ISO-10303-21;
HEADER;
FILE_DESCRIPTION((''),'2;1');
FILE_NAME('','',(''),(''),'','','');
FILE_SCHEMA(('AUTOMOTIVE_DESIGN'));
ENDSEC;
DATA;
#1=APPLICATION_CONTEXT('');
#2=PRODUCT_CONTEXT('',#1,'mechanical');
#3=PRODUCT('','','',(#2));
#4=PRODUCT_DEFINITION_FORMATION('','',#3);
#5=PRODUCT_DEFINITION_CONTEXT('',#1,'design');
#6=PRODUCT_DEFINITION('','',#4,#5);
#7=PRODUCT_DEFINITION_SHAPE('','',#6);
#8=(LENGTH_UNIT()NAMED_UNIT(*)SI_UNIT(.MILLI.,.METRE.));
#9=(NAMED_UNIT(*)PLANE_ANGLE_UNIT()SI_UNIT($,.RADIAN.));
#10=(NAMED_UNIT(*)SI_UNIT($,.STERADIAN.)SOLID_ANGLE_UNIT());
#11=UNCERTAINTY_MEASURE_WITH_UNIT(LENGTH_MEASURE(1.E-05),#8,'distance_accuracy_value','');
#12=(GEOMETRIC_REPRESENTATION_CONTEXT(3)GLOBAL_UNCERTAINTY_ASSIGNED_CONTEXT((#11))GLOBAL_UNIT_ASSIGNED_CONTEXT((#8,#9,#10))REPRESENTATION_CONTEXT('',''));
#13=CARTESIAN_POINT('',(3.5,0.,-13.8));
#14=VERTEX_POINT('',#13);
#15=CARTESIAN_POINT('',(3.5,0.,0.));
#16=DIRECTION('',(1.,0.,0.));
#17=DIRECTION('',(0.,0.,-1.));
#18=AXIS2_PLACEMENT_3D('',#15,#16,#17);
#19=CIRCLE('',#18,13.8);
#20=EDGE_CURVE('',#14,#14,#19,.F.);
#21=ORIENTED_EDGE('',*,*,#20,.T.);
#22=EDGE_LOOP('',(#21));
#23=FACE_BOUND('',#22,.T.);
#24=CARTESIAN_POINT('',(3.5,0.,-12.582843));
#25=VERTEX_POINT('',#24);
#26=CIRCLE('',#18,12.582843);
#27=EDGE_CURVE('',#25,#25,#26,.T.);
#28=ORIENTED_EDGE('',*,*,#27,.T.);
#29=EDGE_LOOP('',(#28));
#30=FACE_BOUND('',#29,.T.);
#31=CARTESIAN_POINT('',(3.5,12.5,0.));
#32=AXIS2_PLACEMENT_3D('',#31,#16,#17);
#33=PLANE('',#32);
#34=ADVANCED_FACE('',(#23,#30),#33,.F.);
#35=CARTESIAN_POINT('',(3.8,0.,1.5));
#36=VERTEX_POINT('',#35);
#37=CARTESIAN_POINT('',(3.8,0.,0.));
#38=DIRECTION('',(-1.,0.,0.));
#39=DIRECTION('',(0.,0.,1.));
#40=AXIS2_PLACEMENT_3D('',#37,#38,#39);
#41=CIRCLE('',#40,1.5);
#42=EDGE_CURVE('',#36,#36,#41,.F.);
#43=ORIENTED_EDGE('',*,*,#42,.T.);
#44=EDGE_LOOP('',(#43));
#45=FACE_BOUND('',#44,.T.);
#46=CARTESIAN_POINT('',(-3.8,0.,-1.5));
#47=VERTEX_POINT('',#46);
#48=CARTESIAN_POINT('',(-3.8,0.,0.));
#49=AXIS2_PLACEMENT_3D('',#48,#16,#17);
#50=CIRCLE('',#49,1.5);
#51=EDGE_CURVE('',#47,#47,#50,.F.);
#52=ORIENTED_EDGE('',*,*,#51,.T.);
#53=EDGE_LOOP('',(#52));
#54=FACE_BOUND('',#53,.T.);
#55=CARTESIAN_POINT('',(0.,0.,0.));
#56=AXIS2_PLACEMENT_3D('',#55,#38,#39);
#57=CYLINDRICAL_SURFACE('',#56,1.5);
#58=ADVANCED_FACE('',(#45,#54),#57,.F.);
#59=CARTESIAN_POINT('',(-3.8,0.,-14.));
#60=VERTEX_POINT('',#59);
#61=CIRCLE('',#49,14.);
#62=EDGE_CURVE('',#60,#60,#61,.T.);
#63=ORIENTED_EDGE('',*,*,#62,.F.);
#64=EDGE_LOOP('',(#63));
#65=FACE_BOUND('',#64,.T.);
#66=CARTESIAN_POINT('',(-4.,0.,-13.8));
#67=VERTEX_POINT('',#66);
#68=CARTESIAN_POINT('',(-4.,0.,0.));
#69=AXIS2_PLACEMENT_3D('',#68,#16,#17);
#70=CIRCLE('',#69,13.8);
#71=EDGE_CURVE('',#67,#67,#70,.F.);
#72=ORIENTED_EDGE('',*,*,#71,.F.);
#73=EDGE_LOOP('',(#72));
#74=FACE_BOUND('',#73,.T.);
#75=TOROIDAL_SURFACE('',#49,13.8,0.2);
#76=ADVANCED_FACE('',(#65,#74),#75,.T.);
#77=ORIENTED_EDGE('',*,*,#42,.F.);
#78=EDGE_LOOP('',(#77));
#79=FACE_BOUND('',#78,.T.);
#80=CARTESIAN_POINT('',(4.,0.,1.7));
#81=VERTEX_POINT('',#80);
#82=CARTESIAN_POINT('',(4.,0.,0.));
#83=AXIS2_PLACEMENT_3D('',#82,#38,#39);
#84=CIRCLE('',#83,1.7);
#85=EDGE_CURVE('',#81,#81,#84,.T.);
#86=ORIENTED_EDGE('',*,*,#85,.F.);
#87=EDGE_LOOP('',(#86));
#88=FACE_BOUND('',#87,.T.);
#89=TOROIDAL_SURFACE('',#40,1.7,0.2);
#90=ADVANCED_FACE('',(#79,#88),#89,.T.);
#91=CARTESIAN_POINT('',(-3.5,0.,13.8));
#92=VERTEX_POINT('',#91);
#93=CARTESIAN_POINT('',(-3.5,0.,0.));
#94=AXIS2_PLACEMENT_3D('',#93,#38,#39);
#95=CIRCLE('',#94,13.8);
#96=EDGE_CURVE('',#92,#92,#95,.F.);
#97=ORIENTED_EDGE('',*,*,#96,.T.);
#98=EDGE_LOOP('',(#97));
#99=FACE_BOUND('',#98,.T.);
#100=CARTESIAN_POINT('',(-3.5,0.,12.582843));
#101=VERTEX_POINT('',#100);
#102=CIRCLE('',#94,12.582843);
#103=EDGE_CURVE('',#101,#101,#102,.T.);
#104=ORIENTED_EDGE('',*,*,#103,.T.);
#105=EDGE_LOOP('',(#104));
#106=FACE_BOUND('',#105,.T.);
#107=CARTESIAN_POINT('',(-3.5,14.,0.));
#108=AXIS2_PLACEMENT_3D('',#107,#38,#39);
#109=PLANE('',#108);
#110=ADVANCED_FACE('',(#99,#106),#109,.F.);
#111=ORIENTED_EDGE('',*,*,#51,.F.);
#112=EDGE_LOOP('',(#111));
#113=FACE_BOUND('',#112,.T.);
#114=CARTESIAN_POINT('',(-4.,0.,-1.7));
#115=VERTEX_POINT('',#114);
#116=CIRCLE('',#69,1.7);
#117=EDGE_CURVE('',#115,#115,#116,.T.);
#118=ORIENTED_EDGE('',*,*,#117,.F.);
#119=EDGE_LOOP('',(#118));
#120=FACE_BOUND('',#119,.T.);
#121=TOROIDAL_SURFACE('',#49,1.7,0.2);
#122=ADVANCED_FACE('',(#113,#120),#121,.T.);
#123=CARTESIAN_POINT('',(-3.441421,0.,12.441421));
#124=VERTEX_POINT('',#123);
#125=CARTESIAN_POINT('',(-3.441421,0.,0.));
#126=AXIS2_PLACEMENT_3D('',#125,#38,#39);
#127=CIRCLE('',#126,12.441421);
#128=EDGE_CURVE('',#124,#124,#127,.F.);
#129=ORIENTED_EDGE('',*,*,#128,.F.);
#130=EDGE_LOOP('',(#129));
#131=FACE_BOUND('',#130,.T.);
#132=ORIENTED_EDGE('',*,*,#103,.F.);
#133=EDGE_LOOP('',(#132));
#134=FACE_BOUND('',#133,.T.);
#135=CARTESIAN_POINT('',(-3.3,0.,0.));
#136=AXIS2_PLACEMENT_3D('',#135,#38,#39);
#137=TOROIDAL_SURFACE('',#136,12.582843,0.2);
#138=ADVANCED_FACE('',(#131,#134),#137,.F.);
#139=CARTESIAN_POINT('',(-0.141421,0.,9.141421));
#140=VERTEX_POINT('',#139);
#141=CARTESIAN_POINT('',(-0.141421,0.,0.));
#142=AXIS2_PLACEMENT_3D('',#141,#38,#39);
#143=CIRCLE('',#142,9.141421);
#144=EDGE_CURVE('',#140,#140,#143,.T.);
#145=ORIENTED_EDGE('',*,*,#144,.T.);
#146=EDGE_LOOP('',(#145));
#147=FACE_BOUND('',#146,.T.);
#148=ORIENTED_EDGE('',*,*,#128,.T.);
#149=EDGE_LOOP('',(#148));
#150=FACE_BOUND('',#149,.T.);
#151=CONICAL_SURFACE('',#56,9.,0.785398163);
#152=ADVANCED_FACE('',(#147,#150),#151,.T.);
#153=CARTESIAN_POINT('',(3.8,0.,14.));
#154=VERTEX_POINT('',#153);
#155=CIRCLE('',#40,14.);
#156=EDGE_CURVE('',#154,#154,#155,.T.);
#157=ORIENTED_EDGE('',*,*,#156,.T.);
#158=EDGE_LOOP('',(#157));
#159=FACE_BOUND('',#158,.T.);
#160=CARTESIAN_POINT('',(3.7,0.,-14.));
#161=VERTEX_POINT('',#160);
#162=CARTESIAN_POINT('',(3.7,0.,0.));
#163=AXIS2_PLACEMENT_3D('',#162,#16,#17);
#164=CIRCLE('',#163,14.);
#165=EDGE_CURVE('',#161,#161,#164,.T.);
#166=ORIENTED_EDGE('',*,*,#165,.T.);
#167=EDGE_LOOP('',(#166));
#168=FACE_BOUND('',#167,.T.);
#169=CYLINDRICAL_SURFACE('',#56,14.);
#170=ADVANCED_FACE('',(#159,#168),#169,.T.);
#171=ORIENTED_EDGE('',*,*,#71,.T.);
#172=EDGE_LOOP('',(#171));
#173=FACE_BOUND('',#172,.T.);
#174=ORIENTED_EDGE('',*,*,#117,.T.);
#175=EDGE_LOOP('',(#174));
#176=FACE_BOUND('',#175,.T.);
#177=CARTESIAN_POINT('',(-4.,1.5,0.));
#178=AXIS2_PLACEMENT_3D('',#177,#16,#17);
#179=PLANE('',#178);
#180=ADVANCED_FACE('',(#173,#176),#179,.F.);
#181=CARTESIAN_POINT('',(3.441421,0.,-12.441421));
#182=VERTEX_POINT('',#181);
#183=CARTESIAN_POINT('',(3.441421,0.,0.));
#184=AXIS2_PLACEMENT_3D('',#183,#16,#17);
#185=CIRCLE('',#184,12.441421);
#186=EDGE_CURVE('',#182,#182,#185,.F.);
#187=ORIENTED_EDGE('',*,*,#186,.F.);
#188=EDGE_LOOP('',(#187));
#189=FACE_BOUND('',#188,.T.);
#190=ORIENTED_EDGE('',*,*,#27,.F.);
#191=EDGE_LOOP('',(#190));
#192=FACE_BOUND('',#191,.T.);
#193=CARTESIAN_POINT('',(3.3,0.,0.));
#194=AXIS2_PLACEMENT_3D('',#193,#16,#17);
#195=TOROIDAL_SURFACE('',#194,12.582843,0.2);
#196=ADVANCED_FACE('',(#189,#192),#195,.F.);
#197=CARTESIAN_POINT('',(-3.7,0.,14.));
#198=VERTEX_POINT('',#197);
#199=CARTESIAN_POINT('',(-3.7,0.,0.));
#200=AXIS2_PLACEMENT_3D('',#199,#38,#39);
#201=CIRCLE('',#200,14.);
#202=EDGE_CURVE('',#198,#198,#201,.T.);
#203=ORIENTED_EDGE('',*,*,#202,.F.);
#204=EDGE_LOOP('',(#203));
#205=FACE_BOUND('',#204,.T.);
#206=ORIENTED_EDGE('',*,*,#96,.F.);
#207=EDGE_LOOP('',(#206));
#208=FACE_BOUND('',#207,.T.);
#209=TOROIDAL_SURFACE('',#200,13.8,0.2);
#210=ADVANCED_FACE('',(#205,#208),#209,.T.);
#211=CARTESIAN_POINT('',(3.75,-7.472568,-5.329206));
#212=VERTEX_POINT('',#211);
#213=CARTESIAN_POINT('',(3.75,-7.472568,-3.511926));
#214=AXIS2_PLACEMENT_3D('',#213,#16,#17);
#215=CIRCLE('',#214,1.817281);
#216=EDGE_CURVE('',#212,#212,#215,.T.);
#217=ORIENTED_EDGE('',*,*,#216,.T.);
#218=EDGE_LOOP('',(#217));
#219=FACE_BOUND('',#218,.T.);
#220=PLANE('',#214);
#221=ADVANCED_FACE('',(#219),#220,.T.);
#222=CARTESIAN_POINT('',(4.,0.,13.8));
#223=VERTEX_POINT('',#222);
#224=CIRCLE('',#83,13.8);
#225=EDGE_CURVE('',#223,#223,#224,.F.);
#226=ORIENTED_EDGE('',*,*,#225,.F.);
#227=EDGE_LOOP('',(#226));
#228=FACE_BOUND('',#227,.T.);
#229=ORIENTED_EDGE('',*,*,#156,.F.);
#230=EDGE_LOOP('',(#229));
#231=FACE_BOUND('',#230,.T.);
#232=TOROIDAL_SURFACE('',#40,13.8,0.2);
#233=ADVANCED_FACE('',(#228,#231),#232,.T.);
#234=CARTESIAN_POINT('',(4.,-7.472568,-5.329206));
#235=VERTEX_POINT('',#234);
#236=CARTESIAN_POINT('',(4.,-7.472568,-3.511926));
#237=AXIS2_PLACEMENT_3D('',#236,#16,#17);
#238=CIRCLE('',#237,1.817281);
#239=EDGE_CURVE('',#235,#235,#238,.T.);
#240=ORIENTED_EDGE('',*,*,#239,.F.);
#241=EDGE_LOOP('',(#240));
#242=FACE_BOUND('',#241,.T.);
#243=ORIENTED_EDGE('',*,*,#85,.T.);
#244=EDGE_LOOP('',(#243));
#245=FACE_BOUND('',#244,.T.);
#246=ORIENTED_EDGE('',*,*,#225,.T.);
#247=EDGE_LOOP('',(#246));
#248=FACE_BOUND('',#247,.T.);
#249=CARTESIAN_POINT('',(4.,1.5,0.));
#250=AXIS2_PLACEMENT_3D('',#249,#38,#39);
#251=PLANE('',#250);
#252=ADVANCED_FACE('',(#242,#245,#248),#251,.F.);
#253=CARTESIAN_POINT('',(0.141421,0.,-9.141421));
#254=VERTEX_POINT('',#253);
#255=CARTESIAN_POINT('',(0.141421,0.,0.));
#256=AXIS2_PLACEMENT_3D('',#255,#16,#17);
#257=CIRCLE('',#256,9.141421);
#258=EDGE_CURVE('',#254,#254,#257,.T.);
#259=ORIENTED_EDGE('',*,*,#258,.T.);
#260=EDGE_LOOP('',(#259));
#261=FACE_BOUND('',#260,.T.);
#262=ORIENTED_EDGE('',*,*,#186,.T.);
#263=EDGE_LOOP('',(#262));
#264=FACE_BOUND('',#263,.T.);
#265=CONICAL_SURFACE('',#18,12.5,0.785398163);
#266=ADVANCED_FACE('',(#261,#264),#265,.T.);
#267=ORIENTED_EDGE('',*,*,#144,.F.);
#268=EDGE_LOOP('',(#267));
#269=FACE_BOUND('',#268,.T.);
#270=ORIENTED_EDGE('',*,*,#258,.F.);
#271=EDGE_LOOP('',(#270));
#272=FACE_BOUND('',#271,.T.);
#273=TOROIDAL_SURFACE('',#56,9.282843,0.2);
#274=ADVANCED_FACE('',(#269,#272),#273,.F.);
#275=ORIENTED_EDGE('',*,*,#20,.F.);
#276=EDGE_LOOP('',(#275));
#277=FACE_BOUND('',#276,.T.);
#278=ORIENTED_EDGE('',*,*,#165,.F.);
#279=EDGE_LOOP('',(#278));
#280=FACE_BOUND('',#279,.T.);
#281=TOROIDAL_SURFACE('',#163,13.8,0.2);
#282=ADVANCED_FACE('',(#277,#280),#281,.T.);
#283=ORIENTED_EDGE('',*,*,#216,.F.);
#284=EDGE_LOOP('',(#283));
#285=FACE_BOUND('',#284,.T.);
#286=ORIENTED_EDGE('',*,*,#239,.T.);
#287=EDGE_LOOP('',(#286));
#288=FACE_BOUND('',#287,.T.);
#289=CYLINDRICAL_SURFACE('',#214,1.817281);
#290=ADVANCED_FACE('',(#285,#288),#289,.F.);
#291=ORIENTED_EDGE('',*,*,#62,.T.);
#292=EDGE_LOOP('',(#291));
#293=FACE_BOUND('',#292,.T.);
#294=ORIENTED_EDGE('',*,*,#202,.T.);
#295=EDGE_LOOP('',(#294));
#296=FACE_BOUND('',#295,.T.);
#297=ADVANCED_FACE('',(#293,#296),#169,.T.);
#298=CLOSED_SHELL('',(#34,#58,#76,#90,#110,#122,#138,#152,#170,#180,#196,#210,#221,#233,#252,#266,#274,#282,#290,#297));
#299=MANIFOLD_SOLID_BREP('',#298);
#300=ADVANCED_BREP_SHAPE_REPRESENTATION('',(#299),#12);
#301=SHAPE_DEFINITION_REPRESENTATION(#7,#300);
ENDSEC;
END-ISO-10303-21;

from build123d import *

# Parameters (mm, degrees)
CONG_1_R                = 0.2
ESQUISSE2_R             = 1.817280817
ENL_V_MAT_EXTRU_1_DEPTH = 0.25


with BuildPart() as part:
    # Esquisse1 → Révolution2 (revolve)
    with BuildSketch(Plane.XY, mode=Mode.PRIVATE) as r_volution2_sk:
        Polygon((-3.5, 12.5), (0, 9), (3.5, 12.5), (3.5, 14), (4, 14), (4, 1.5), (-4, 1.5), (-4, 14), (-3.5, 14), align=None)
    revolve(r_volution2_sk.sketch.rotate(Axis((0, 0, 0), (1, 0, 0)), 90), axis=Axis((0, 0, 0), (1, 0, 0)))

    # Congé1
    cong_1_edges = [part.edges().sort_by_distance(p)[0] for p in [
        (-3.5, 0, -12.5),
        (0, 0, -9),
        (3.5, 0, -12.5),
        (3.5, 0, -14),
        (4, 0, -14),
        (4, 0, -1.5),
        (-4, 0, -1.5),
        (-4, 0, -14),
        (-3.5, 0, -14),
    ]]
    fillet(cong_1_edges, radius=CONG_1_R)

    # Esquisse2 → Enlèv. mat.-Extru.1 (cut)
    with BuildSketch(Plane(origin=(4, 0, 0), x_dir=(0, 0, -1), z_dir=(1, 0, 0))):
        with Locations((3.511925598, -7.472568147)):
            Circle(ESQUISSE2_R)
    extrude(amount=-ENL_V_MAT_EXTRU_1_DEPTH, mode=Mode.SUBTRACT)


solid = part.part
